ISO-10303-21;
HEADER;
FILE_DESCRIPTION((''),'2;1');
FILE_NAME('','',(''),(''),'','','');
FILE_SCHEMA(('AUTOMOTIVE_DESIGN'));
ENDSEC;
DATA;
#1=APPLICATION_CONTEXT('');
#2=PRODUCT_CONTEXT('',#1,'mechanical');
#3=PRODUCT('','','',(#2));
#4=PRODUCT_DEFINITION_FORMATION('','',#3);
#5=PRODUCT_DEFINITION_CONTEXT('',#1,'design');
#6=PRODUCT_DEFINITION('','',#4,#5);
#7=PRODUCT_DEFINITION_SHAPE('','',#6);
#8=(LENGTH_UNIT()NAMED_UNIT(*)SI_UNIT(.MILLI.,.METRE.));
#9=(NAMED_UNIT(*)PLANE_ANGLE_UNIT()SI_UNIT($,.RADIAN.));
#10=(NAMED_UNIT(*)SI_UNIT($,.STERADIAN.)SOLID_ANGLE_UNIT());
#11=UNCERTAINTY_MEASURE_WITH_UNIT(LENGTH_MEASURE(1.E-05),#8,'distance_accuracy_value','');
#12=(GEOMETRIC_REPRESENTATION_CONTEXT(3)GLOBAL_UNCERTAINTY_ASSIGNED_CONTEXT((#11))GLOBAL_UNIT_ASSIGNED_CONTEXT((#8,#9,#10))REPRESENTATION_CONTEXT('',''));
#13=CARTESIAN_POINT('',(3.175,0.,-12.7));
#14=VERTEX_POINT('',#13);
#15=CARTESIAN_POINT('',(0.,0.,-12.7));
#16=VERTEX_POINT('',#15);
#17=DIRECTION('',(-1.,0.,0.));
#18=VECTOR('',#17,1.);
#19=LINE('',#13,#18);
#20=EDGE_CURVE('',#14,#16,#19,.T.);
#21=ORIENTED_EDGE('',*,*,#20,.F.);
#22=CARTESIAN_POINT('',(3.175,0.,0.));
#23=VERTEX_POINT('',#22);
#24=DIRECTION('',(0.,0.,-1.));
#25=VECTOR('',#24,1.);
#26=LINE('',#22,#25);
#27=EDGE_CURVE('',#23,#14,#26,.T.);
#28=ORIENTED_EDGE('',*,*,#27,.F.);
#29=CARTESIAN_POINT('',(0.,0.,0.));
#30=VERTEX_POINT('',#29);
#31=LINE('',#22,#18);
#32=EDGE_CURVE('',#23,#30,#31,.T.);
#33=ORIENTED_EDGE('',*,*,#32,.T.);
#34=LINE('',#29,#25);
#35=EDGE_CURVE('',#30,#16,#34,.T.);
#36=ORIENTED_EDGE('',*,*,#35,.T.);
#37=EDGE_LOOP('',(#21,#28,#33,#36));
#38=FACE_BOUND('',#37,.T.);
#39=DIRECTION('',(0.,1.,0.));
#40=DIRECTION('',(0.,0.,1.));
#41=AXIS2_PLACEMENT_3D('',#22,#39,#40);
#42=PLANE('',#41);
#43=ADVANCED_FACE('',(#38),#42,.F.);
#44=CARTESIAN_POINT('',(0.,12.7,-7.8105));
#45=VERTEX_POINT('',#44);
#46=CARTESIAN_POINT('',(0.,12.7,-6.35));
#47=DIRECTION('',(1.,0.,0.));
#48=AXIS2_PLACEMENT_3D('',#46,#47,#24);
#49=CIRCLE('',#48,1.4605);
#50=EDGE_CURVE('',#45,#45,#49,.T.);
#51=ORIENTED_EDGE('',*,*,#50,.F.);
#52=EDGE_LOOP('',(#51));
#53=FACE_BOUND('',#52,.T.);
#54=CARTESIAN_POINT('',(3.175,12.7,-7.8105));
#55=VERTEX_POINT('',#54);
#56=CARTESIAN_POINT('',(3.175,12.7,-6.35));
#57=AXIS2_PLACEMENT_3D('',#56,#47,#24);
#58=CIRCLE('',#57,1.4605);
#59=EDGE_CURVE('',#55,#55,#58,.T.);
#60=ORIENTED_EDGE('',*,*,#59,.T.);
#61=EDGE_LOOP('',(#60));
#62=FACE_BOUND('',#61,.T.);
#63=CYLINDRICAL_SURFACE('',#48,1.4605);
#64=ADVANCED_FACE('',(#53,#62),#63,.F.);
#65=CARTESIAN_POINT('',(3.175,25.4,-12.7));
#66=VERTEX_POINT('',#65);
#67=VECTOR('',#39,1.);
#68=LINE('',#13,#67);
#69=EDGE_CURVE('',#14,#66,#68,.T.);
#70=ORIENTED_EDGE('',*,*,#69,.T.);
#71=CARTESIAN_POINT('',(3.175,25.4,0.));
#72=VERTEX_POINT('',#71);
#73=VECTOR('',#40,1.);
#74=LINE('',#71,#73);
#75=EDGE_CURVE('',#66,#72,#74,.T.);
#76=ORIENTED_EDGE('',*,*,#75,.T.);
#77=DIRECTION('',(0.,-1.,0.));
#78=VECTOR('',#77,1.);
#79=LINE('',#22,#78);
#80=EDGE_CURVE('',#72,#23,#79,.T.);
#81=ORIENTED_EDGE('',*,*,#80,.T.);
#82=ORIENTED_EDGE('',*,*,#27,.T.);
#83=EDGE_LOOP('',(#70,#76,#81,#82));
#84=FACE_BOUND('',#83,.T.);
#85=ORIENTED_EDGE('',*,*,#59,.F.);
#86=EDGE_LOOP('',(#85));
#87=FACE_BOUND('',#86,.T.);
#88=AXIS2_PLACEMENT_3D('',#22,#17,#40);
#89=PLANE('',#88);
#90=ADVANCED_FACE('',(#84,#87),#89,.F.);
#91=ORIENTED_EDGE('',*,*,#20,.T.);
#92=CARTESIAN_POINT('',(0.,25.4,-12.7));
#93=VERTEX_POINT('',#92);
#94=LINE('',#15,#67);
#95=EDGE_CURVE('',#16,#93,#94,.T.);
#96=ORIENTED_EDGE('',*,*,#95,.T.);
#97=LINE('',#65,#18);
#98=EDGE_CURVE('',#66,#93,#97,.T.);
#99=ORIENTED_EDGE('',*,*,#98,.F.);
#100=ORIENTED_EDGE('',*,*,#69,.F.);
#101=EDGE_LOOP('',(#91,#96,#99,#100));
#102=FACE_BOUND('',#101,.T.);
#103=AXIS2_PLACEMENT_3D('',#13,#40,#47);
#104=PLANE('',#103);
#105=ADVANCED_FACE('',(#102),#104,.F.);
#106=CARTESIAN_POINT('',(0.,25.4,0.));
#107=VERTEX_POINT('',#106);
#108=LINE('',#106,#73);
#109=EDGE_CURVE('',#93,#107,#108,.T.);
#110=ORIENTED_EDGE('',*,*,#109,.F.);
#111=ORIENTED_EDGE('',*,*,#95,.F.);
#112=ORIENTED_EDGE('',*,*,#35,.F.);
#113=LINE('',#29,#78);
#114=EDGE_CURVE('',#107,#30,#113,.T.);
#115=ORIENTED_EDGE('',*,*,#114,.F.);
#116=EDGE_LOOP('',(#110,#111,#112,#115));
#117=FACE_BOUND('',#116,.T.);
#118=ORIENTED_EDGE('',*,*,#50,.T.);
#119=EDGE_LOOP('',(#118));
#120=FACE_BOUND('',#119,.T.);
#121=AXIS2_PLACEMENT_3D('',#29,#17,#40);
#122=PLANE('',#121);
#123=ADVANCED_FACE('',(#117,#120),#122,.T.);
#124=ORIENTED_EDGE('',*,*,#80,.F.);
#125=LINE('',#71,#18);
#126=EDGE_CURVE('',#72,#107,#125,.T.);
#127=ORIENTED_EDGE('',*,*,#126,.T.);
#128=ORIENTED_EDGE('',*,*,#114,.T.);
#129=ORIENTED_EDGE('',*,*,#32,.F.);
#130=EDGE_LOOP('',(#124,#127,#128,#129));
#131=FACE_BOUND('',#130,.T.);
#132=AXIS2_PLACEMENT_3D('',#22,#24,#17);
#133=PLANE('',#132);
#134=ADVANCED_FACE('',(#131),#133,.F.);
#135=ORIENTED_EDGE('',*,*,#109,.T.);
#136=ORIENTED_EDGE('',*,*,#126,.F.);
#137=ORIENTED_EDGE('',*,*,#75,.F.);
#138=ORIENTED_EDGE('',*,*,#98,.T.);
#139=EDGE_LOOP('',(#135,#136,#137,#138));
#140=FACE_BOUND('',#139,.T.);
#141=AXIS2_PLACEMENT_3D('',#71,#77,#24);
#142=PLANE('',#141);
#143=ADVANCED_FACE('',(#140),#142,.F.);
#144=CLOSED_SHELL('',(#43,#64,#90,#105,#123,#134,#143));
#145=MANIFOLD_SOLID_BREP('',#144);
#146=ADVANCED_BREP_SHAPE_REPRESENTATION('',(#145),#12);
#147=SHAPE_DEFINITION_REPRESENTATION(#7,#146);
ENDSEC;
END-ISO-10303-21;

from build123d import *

# Parameters (mm, degrees)
SKETCH4_W           = 12.7
SKETCH4_H           = 25.4
BOSS_EXTRUDE2_DEPTH = 3.175
SKETCH5_R           = 1.4605
CUT_EXTRUDE1_DEPTH  = 29.575


with BuildPart() as part:
    # Sketch4 → Boss-Extrude2 (new body)
    with BuildSketch(Plane(origin=(0, 0, 0), x_dir=(0, 0, -1), z_dir=(1, 0, 0))):
        with Locations((6.35, 12.7)):
            Rectangle(SKETCH4_W, SKETCH4_H)
    extrude(amount=BOSS_EXTRUDE2_DEPTH)

    # Sketch5 → Cut-Extrude1 (cut, through all)
    with BuildSketch(Plane(origin=(3.175, 0, 0), x_dir=(0, 0, -1), z_dir=(1, 0, 0))):
        with Locations((6.35, 12.7)):
            Circle(SKETCH5_R)
    extrude(amount=-CUT_EXTRUDE1_DEPTH, mode=Mode.SUBTRACT)


solid = part.part
